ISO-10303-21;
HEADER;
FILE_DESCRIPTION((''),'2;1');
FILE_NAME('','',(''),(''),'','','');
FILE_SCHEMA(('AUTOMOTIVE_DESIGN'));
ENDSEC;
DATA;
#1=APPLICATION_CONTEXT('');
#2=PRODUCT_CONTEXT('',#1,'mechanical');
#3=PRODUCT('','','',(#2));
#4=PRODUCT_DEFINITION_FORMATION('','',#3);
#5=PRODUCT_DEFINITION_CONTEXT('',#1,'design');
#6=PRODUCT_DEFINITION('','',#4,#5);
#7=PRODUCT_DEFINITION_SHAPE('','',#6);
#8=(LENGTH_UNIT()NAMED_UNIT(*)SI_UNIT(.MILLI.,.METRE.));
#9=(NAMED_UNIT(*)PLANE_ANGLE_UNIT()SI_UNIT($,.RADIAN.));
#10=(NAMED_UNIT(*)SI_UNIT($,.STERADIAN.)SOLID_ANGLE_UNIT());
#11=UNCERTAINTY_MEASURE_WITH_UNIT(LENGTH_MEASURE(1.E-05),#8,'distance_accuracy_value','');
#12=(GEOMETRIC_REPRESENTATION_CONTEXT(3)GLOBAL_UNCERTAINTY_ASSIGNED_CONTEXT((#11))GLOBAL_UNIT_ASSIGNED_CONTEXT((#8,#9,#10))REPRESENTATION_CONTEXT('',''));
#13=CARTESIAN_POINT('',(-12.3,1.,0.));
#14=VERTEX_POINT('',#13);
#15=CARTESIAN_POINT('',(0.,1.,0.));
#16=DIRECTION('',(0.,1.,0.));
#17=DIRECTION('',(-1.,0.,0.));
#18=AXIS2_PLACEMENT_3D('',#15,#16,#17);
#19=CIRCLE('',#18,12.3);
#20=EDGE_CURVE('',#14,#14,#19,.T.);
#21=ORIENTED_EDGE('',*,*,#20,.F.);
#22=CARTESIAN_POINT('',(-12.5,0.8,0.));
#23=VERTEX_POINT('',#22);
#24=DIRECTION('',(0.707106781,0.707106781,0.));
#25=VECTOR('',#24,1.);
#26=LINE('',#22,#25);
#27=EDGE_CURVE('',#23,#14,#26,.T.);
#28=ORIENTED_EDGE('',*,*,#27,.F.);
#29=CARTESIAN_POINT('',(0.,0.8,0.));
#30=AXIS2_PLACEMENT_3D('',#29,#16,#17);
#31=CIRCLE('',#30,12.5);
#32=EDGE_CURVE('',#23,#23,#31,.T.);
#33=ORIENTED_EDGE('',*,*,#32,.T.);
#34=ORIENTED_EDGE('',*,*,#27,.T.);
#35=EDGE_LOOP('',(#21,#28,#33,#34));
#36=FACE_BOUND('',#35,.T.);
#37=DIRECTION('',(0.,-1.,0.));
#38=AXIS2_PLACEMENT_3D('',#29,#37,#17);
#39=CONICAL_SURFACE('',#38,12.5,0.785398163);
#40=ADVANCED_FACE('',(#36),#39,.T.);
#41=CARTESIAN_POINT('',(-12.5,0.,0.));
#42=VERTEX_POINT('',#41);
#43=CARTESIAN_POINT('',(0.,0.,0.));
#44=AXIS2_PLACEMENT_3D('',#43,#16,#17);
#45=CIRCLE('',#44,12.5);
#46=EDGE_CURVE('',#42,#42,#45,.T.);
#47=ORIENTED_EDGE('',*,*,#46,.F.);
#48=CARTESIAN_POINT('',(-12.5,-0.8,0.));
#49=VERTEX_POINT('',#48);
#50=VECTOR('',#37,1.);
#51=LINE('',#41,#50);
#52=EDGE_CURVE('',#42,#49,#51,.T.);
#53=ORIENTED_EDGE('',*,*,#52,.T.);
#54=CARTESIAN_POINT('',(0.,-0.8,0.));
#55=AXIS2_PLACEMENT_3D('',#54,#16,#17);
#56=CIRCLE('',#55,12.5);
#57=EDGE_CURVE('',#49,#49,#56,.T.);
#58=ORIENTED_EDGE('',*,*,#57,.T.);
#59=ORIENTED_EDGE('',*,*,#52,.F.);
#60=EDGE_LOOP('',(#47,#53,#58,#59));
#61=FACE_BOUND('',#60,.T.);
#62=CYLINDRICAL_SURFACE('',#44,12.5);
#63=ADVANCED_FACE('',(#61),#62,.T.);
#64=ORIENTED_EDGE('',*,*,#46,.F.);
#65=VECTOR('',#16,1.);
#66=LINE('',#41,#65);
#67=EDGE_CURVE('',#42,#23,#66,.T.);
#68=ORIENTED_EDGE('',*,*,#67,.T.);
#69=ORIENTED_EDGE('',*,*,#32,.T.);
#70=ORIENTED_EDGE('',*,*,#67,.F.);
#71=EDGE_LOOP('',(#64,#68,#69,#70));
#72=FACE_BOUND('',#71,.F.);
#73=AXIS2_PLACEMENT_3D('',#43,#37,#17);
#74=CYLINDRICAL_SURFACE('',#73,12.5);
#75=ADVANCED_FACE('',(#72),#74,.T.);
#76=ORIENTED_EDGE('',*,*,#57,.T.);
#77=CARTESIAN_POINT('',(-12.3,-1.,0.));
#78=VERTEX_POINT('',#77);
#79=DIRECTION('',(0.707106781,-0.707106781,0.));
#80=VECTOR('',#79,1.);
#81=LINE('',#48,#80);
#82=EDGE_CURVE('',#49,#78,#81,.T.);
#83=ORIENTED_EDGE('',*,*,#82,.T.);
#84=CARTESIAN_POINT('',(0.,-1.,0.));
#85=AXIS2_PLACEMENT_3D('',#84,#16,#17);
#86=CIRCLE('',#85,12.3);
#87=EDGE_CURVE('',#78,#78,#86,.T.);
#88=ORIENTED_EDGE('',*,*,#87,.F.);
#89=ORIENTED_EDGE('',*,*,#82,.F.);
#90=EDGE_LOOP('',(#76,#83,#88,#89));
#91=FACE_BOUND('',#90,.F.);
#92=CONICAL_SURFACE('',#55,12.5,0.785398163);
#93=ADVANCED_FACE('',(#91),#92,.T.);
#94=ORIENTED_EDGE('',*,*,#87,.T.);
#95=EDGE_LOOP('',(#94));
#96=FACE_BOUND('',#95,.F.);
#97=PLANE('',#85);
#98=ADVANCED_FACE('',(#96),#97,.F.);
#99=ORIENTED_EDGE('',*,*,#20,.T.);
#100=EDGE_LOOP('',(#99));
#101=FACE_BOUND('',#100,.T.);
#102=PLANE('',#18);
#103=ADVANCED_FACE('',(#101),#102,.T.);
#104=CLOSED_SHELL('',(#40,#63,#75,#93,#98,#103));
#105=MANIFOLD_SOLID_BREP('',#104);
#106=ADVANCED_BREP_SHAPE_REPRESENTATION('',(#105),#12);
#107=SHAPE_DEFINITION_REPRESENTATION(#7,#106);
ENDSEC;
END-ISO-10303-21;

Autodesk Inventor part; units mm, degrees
ref_plane "YZ Plane" through (0, 0, 0) normal (1, 0, 0) x (0, 1, 0)
ref_plane "XZ Plane" through (0, 0, 0) normal (0, 1, 0) x (-1, 0, 0)
ref_plane "XY Plane" through (0, 0, 0) normal (0, 0, 1) x (1, 0, 0)
sketch "Sketch1" plane through (0, 0, 0) normal (0, 1, 0) x (-1, 0, 0)
  circle A0 centre (0, 0) radius 12.5
  dimension "d0" = 25
extrude "Extrusion1" add sketch "Sketch1" along normal mid plane 2
chamfer "Chamfer1" distance 0.2 angle 45 2 edges at (12.5, 1, 0) (12.5, -1, 0)
properties part number "Magnet" material "Magnesium AZ63A"
